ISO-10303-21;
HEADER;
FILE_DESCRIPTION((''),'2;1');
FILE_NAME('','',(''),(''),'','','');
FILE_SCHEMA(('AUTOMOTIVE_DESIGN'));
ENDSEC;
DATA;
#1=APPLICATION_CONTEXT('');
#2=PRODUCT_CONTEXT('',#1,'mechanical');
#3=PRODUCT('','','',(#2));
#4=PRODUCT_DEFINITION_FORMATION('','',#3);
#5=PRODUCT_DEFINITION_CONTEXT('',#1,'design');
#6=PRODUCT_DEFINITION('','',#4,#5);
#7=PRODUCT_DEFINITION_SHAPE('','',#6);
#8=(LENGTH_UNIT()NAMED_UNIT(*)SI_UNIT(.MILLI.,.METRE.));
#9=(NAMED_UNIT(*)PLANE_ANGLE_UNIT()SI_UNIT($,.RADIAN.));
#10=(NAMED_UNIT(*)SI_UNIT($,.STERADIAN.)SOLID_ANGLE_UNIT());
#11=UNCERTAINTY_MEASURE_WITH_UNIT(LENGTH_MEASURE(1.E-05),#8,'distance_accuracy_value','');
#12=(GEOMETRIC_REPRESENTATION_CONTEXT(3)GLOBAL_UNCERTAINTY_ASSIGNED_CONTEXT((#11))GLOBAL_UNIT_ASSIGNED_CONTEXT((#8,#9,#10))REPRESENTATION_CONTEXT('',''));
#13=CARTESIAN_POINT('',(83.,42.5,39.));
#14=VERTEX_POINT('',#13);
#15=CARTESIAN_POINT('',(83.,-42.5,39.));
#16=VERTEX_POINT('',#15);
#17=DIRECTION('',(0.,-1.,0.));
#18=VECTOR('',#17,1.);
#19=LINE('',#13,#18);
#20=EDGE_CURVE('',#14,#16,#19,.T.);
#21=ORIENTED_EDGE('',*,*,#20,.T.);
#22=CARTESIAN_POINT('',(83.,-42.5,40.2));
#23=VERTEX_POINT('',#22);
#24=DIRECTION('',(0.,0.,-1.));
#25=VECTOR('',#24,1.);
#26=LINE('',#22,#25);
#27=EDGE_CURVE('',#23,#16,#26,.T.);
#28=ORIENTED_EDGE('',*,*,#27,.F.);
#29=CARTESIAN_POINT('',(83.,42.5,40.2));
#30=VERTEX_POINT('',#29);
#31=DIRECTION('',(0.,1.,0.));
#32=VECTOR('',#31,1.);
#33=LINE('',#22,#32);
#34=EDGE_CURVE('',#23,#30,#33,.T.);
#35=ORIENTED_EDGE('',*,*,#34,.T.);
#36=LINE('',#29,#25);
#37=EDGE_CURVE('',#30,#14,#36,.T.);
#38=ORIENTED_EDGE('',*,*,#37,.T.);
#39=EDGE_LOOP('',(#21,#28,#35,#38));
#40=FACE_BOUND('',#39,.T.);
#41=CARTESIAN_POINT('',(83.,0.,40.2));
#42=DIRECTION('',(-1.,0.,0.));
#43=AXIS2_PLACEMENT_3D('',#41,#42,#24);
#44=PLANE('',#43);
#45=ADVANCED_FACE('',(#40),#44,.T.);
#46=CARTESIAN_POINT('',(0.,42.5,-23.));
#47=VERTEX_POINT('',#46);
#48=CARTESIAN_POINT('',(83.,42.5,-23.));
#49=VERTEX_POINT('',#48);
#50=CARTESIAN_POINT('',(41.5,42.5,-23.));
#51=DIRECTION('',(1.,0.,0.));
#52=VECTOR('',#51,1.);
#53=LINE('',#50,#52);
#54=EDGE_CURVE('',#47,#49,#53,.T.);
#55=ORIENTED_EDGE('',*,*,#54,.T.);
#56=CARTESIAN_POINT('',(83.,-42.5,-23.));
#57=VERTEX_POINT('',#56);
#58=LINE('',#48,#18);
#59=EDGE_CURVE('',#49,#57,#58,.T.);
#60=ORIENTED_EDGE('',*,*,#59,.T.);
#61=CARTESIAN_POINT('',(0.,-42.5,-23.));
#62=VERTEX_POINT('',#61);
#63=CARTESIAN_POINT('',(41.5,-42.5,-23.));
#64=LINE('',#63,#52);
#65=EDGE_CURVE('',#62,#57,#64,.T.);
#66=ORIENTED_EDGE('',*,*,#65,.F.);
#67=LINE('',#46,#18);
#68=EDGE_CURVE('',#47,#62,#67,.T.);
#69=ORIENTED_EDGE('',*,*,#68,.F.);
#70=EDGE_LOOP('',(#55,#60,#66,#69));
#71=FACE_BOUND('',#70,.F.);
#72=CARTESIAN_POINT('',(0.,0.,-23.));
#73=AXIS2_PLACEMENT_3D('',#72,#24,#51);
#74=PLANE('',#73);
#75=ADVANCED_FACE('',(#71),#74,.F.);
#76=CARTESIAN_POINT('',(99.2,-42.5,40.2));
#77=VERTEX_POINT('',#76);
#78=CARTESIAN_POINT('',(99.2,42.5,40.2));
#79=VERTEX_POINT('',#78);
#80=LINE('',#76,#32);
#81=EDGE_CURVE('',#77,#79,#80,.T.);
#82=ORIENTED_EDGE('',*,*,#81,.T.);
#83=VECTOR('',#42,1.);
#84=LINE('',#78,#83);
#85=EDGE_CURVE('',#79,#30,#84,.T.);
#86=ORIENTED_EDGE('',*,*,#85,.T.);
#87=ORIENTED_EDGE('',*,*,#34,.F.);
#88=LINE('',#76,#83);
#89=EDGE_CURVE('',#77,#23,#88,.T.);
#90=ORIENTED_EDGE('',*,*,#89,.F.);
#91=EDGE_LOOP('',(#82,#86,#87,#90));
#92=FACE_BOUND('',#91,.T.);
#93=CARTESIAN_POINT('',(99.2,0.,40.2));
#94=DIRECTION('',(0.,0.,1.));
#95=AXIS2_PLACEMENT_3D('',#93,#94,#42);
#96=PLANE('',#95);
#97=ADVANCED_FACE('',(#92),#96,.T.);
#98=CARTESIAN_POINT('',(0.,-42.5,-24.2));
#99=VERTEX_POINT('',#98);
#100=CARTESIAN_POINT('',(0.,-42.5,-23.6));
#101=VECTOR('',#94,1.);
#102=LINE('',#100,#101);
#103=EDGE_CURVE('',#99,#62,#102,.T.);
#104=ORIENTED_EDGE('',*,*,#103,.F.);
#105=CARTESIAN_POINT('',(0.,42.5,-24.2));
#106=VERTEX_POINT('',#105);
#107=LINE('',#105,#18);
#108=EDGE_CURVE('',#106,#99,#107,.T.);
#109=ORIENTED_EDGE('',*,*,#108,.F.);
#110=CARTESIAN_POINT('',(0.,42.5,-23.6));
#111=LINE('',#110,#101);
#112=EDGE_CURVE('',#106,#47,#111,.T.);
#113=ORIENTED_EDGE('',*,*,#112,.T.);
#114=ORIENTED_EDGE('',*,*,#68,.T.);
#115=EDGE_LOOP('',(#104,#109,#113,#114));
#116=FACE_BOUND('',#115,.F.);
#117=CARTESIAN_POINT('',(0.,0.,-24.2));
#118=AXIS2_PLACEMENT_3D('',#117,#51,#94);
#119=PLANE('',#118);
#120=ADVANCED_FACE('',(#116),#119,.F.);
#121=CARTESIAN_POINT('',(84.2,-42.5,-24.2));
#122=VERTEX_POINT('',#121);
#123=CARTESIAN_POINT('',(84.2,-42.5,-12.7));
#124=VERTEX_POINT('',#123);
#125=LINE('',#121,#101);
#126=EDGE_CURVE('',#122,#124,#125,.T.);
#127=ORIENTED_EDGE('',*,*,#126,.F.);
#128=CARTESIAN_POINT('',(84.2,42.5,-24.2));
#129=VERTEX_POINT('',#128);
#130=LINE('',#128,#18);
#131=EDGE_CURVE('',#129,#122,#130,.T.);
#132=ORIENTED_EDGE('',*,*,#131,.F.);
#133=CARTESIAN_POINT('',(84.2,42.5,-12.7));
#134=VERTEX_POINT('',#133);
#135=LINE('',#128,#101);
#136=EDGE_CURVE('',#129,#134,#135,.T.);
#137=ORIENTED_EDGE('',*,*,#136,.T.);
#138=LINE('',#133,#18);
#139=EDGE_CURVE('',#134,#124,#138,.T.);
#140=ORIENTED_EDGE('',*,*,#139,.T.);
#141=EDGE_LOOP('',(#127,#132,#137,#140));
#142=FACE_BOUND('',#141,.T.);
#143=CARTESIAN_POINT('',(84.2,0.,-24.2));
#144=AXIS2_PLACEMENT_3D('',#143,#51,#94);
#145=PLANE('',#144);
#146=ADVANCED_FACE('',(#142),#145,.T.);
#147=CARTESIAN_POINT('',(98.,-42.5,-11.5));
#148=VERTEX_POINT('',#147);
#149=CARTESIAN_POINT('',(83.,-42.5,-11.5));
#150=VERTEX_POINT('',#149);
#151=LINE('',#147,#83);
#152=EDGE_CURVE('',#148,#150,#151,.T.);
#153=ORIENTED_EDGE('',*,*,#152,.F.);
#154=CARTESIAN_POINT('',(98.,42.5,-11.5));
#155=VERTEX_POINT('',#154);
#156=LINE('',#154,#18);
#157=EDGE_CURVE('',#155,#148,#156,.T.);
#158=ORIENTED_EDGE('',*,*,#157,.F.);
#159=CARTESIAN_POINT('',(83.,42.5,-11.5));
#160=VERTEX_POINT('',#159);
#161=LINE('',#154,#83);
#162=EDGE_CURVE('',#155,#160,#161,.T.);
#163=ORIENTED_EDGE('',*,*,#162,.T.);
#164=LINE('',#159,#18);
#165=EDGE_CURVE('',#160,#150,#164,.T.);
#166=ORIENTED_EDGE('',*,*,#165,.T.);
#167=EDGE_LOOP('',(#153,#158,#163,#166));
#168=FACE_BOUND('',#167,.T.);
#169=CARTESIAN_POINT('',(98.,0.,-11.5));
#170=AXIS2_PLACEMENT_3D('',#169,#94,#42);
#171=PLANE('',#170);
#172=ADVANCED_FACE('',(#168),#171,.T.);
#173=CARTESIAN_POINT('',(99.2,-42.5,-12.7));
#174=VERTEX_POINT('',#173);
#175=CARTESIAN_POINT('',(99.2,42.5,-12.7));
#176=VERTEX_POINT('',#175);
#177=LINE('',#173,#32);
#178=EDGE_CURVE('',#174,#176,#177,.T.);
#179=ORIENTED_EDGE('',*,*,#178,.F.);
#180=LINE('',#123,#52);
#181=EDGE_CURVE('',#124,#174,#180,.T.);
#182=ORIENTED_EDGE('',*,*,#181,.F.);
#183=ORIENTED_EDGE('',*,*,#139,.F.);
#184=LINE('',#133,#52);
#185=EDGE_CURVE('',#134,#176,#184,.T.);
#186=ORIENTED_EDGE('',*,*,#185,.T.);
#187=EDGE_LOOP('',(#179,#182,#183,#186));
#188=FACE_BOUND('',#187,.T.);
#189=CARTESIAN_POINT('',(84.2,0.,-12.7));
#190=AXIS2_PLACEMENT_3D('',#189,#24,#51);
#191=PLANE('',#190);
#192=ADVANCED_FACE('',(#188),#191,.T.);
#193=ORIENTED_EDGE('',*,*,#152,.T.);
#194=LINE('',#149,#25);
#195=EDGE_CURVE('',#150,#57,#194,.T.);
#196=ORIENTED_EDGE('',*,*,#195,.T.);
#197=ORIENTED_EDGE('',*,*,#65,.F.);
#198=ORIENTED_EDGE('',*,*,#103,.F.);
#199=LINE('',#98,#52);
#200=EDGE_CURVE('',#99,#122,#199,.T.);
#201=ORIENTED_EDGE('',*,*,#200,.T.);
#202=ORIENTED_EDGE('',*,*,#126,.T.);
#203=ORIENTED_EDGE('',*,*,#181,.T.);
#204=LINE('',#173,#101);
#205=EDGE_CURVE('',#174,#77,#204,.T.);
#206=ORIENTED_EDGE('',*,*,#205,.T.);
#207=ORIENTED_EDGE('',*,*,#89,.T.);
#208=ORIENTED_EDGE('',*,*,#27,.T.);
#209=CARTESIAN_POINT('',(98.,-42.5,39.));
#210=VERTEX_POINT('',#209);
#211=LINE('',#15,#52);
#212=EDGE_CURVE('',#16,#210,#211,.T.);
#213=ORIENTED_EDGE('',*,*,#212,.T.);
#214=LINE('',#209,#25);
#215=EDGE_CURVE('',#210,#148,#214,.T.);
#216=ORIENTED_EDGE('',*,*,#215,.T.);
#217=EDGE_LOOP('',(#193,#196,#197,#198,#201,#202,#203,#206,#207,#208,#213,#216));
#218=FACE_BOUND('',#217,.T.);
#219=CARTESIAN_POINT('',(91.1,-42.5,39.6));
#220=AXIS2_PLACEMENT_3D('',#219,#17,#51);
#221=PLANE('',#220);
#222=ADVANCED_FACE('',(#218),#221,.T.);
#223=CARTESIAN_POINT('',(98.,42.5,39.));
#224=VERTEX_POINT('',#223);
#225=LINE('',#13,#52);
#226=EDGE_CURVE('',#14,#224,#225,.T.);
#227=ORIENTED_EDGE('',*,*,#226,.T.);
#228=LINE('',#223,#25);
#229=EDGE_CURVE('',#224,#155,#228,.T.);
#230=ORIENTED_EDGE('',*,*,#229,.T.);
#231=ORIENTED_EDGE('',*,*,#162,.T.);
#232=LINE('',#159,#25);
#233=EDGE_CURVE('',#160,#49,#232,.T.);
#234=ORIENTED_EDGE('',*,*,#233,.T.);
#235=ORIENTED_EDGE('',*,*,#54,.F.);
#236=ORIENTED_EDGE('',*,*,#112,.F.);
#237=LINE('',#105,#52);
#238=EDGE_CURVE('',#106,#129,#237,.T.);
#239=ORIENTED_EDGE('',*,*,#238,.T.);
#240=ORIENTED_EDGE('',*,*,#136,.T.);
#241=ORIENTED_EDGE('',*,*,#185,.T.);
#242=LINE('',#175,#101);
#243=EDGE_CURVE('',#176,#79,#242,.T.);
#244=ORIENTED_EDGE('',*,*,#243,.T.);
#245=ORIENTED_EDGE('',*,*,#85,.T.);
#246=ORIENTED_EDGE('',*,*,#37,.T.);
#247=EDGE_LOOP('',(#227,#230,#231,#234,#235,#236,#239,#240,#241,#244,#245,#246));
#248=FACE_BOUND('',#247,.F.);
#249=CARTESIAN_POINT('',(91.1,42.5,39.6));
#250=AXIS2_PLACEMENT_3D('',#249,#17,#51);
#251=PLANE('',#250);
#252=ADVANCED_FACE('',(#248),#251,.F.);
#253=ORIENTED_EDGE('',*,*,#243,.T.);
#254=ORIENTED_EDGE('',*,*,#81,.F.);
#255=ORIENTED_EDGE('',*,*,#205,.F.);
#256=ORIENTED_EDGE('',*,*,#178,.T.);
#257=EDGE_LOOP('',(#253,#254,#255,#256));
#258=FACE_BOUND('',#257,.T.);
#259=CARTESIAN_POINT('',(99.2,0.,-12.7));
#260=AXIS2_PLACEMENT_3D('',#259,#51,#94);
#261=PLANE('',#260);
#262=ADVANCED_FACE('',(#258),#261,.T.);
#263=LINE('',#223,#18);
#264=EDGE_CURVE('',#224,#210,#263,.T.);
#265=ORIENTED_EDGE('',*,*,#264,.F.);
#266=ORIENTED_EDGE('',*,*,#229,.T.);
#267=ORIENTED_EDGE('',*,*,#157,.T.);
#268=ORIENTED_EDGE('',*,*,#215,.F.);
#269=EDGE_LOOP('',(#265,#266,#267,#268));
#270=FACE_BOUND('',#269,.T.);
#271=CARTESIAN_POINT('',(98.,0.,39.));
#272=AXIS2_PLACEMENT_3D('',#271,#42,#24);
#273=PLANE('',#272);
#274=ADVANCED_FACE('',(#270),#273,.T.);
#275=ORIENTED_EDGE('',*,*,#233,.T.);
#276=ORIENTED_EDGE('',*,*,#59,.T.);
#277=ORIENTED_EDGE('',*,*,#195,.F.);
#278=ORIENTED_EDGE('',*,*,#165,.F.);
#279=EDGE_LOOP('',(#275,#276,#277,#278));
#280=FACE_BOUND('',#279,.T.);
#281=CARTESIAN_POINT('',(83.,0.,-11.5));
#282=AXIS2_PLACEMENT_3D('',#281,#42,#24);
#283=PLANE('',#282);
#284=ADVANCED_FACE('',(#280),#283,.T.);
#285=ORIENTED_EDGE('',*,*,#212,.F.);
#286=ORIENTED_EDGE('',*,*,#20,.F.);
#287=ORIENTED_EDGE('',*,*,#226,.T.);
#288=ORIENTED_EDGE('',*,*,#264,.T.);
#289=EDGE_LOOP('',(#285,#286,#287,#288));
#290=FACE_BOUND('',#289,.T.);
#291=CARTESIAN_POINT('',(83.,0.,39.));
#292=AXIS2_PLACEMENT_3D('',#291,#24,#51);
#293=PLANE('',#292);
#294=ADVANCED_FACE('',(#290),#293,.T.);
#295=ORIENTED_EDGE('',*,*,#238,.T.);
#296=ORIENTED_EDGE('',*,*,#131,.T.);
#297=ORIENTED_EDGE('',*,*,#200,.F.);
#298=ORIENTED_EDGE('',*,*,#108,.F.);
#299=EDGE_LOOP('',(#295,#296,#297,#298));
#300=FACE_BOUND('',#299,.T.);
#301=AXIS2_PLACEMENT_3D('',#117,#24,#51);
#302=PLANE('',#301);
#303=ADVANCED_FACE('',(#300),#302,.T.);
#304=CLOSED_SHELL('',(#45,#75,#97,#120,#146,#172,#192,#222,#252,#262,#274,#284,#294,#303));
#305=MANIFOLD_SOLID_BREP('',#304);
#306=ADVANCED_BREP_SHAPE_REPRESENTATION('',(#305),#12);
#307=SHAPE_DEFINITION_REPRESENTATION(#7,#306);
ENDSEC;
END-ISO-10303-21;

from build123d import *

# Parameters (mm, degrees)
F1_DEPTH = 33.5
F2_W     = 83
F2_H     = 1.2
F3_DEPTH = 42.5
F5_DEPTH = 76.001
F7_DEPTH = 76.001


with BuildPart() as f1:
    # F0 (on Front) → F1 (new body, symmetric)
    with BuildSketch(Plane.XZ):
        Polygon((83, 0), (0, 0), (0, -23), (83, -23), (83, -11.5), align=None)
        Polygon((83, 39), (83, 0), (83, -11.5), (98, -11.5), (98, 39), align=None)
    extrude(amount=F1_DEPTH, both=True)

    # F2 (on Front) → F3 (join, symmetric)
    with BuildSketch(Plane.XZ):
        Polygon((83, 40.2), (83, 39), (98, 39), (99.2, 39), (99.2, 40.2), align=None)
        Polygon((99.2, 39), (98, 39), (98, -11.5), (98, -12.7), (99.2, -12.7), align=None)
        with Locations((41.5, -23.6)):
            Rectangle(F2_W, F2_H)
        Polygon((83, -12.7), (83, -23), (83, -24.2), (84.2, -24.2), (84.2, -12.7), align=None)
        Polygon((98, -12.7), (98, -11.5), (83, -11.5), (83, -12.7), (84.2, -12.7), align=None)
    extrude(amount=F3_DEPTH, both=True)

    # F4 (on face) → F5 (cut, through all)
    with BuildSketch(Plane.XZ.offset(33.5)):
        Polygon((21, -21), (2, -2), (2, -21), align=None)
        Polygon((21.848528, -20.151472), (40, -2), (3.697056, -2), align=None)
        Polygon((40.848528, -2.848528), (22.697056, -21), (59, -21), align=None)
        Polygon((59.848528, -20.151472), (78, -2), (41.697056, -2), align=None)
        Polygon((81, -9.5), (85.5, -9.5), (78.848528, -2.848528), (60.697056, -21), (81, -21), align=None)
        Polygon((96, -9.5), (96, 0), (86.286385, -8.788509), (86.997877, -9.5), align=None)
        Polygon((96, 2.302944), (85, 13.302944), (85, -2), (79.497877, -2), (85.436797, -7.93892), (96, 1.618263), align=None)
        Polygon((96, 4), (96, 24.302944), (85.848528, 14.151472), align=None)
        Polygon((95.151472, 25.151472), (85, 35.302944), (85, 15), align=None)
        Polygon((96, 37), (85, 37), (96, 26), align=None)
    extrude(amount=-F5_DEPTH, mode=Mode.SUBTRACT)

    # F6 (on face) → F7 (cut, through all)
    with BuildSketch(Plane.XZ.offset(33.5)):
        Polygon((83, 39), (83, 0), (0, 0), (0, -23), (83, -23), (83, -11.5), (98, -11.5), (98, 39), align=None)
    extrude(amount=-F7_DEPTH, mode=Mode.SUBTRACT)


solid = f1.part
